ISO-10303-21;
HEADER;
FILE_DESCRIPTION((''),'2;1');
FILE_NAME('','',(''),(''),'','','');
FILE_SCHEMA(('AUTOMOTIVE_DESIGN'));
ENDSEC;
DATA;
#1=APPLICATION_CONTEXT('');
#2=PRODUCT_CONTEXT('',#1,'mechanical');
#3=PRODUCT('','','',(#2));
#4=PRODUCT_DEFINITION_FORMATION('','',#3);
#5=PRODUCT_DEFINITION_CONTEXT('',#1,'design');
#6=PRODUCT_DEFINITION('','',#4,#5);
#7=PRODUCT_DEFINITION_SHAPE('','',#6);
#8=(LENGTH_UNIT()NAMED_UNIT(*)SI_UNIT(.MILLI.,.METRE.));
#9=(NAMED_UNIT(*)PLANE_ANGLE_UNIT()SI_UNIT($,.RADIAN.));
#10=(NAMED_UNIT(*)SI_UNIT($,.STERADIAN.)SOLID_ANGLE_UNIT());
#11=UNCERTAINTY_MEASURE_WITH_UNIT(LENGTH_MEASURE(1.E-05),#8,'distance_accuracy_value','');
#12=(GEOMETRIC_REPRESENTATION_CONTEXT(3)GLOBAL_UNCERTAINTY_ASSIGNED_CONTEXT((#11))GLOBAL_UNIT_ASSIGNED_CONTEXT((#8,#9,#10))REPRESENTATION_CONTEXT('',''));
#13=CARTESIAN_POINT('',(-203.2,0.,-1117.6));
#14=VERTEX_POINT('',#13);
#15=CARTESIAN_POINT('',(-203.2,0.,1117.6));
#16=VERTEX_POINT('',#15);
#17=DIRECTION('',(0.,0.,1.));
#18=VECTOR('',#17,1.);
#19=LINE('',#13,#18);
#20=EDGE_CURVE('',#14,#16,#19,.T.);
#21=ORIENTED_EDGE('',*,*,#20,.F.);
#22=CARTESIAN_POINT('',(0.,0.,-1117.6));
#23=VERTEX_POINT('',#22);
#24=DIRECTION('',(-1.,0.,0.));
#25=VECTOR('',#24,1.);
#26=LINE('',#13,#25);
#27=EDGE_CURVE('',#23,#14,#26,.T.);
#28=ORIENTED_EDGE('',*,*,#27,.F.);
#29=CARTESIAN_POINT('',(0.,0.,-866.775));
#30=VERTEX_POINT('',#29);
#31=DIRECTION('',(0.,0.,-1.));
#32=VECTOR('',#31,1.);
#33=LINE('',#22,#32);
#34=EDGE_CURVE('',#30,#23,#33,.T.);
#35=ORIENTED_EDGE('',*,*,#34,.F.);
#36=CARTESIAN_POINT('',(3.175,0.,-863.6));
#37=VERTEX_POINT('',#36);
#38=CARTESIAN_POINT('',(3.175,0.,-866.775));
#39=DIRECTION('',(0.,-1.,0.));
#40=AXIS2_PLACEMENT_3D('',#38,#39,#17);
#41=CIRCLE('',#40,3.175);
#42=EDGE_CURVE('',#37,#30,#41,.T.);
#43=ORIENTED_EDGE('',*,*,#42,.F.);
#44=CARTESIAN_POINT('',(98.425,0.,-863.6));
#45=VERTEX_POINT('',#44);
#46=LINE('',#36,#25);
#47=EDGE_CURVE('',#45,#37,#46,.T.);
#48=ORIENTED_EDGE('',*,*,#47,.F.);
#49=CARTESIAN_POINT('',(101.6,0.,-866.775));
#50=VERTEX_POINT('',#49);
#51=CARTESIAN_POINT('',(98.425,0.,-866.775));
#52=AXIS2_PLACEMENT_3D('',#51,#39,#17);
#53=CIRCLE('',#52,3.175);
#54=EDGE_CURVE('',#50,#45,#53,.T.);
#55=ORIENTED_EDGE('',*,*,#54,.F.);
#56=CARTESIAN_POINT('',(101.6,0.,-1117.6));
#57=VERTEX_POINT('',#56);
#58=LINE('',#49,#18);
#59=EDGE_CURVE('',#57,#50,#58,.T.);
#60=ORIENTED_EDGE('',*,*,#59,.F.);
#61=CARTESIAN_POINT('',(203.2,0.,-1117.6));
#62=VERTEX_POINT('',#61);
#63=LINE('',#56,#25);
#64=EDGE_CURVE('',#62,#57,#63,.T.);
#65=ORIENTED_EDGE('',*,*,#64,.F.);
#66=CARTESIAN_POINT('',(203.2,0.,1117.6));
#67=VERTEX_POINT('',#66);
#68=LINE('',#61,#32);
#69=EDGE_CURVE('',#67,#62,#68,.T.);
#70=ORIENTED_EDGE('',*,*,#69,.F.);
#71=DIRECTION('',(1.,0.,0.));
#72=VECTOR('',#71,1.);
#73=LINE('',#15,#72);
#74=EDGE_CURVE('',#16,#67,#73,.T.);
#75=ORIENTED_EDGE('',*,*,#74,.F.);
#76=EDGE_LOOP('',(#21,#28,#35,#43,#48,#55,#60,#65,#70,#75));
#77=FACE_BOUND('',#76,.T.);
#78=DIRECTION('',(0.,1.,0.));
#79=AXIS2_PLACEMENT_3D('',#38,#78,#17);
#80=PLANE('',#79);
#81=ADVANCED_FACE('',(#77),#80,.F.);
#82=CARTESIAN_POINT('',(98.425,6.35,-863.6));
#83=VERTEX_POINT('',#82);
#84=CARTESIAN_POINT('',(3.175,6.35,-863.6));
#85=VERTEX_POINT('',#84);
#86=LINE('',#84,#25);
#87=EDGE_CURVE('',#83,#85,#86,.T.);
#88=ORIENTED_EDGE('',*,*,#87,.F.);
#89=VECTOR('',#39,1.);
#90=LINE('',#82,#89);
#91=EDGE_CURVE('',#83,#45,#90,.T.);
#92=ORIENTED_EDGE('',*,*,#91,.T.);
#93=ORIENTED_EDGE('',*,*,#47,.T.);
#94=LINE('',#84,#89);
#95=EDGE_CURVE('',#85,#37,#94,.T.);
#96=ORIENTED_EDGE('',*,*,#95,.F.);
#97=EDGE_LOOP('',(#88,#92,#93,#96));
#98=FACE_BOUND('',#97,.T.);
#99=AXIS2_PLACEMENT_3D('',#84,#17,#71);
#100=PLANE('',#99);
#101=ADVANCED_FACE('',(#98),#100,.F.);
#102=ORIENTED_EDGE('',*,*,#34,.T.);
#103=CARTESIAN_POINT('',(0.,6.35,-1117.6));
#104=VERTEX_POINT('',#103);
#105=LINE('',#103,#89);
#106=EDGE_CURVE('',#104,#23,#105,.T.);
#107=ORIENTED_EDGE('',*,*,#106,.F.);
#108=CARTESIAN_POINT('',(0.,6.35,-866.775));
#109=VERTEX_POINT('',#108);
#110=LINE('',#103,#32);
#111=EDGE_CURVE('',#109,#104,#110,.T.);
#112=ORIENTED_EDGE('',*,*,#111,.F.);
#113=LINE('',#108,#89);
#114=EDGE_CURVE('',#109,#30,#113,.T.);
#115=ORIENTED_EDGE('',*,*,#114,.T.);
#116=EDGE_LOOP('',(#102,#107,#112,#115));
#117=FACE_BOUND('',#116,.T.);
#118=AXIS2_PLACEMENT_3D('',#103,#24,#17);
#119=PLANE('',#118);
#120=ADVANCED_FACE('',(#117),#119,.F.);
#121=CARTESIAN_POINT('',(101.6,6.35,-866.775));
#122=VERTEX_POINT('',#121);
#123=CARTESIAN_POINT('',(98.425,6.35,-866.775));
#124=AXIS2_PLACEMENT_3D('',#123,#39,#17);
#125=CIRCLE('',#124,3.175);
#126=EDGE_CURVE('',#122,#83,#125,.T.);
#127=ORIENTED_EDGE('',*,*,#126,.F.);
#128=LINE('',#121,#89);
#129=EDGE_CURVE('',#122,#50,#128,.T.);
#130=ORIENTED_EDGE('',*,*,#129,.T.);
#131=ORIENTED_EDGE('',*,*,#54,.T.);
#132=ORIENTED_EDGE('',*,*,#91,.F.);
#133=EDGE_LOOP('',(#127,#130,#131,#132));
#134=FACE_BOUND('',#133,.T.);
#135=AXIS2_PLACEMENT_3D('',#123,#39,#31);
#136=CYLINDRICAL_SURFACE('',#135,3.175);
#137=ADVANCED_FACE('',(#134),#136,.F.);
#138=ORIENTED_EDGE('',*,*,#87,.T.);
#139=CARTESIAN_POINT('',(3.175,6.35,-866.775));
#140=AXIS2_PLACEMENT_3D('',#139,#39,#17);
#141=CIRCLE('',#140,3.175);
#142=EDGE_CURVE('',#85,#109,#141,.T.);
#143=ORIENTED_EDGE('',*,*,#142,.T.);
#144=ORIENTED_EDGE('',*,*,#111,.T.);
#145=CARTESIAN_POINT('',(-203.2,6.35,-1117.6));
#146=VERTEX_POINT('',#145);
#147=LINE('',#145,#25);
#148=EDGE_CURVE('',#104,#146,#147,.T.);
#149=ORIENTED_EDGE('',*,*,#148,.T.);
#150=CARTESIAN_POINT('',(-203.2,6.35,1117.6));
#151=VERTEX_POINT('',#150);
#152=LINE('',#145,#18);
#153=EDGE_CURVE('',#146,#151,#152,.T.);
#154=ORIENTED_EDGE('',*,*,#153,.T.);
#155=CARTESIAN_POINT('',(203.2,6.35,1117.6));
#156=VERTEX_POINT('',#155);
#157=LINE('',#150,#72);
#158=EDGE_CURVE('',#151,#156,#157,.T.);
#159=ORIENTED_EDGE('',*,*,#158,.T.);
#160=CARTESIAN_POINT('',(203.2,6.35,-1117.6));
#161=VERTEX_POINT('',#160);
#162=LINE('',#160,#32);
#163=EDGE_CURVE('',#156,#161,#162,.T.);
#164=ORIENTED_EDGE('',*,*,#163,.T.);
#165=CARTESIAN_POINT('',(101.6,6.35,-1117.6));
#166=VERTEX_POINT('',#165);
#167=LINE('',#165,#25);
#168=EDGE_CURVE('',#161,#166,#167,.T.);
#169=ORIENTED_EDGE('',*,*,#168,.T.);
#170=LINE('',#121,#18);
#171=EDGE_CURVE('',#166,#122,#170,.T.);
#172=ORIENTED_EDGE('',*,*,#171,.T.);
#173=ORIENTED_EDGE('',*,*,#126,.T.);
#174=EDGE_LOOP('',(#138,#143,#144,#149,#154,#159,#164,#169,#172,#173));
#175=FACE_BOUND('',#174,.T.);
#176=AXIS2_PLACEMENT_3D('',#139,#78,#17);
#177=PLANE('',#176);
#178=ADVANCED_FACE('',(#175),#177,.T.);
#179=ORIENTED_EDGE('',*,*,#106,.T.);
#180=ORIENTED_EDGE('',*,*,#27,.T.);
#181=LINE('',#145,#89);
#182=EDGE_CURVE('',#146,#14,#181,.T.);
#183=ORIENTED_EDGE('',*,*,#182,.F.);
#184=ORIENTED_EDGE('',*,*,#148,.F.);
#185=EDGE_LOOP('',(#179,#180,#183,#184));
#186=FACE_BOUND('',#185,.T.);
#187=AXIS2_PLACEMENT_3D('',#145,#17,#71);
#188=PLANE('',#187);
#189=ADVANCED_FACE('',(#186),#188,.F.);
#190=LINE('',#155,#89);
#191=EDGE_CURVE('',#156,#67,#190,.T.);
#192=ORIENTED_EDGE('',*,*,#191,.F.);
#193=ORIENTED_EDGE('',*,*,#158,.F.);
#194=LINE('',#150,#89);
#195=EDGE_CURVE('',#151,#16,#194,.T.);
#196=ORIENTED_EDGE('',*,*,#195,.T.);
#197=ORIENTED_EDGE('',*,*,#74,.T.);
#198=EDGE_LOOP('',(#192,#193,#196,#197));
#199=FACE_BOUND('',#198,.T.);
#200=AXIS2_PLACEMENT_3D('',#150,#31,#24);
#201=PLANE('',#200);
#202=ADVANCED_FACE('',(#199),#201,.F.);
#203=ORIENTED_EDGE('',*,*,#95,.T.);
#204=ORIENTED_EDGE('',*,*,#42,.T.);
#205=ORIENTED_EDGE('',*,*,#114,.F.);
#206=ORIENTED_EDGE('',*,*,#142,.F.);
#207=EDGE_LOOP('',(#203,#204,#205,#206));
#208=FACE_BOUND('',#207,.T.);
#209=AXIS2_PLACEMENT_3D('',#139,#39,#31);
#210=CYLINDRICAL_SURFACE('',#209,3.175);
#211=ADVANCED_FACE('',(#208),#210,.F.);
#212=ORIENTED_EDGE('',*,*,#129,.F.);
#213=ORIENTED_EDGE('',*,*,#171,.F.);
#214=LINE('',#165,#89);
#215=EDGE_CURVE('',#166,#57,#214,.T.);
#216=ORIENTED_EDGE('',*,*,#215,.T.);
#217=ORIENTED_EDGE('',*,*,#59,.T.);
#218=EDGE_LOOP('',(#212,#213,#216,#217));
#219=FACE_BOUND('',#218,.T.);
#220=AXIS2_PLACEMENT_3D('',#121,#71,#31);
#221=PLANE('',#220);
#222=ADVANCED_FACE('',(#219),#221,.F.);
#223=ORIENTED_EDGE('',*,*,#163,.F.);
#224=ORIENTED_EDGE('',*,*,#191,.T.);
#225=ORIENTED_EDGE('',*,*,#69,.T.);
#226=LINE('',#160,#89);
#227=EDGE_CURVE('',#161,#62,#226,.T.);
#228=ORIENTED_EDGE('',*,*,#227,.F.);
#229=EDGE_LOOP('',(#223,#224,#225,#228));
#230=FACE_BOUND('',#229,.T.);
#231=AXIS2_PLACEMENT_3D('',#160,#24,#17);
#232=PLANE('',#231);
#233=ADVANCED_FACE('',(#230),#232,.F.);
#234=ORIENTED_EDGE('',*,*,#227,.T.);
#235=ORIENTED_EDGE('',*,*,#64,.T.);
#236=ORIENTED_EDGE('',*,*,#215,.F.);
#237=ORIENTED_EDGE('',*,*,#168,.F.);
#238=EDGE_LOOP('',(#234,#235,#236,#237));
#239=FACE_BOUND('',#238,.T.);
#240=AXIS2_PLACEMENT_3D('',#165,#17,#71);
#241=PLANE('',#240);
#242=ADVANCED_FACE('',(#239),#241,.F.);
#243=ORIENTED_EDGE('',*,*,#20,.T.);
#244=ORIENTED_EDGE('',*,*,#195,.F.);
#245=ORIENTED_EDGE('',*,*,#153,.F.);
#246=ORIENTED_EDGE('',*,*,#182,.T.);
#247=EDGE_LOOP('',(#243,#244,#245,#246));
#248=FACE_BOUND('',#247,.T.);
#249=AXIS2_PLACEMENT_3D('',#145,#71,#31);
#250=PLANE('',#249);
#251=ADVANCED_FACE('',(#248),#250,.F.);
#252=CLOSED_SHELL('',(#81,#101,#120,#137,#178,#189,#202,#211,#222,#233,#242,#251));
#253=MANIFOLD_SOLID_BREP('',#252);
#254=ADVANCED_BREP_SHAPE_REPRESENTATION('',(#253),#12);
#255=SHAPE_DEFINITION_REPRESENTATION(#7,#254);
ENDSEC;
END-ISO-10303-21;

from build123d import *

# Parameters (mm, degrees)
BOSS_EXTRUDE1_DEPTH = 6.35


with BuildPart() as part:
    # Sketch1 → Boss-Extrude1 (new body)
    with BuildSketch(Plane(origin=(0, 0, 0), x_dir=(1, 0, 0), z_dir=(0, 1, 0))):
        with BuildLine():
            Line((0, 1117.6), (0, 866.775))
            ThreePointArc((0, 866.775), (0.92993597, 864.52993597), (3.175, 863.6))
            Line((3.175, 863.6), (98.425, 863.6))
            ThreePointArc((98.425, 863.6), (100.67006403, 864.52993597), (101.6, 866.775))
            Line((101.6, 866.775), (101.6, 1117.6))
            Line((101.6, 1117.6), (203.2, 1117.6))
            Line((203.2, 1117.6), (203.2, -1117.6))
            Line((203.2, -1117.6), (-203.2, -1117.6))
            Line((-203.2, -1117.6), (-203.2, 1117.6))
            Line((-203.2, 1117.6), (0, 1117.6))
        make_face()
    extrude(amount=BOSS_EXTRUDE1_DEPTH)


solid = part.part
